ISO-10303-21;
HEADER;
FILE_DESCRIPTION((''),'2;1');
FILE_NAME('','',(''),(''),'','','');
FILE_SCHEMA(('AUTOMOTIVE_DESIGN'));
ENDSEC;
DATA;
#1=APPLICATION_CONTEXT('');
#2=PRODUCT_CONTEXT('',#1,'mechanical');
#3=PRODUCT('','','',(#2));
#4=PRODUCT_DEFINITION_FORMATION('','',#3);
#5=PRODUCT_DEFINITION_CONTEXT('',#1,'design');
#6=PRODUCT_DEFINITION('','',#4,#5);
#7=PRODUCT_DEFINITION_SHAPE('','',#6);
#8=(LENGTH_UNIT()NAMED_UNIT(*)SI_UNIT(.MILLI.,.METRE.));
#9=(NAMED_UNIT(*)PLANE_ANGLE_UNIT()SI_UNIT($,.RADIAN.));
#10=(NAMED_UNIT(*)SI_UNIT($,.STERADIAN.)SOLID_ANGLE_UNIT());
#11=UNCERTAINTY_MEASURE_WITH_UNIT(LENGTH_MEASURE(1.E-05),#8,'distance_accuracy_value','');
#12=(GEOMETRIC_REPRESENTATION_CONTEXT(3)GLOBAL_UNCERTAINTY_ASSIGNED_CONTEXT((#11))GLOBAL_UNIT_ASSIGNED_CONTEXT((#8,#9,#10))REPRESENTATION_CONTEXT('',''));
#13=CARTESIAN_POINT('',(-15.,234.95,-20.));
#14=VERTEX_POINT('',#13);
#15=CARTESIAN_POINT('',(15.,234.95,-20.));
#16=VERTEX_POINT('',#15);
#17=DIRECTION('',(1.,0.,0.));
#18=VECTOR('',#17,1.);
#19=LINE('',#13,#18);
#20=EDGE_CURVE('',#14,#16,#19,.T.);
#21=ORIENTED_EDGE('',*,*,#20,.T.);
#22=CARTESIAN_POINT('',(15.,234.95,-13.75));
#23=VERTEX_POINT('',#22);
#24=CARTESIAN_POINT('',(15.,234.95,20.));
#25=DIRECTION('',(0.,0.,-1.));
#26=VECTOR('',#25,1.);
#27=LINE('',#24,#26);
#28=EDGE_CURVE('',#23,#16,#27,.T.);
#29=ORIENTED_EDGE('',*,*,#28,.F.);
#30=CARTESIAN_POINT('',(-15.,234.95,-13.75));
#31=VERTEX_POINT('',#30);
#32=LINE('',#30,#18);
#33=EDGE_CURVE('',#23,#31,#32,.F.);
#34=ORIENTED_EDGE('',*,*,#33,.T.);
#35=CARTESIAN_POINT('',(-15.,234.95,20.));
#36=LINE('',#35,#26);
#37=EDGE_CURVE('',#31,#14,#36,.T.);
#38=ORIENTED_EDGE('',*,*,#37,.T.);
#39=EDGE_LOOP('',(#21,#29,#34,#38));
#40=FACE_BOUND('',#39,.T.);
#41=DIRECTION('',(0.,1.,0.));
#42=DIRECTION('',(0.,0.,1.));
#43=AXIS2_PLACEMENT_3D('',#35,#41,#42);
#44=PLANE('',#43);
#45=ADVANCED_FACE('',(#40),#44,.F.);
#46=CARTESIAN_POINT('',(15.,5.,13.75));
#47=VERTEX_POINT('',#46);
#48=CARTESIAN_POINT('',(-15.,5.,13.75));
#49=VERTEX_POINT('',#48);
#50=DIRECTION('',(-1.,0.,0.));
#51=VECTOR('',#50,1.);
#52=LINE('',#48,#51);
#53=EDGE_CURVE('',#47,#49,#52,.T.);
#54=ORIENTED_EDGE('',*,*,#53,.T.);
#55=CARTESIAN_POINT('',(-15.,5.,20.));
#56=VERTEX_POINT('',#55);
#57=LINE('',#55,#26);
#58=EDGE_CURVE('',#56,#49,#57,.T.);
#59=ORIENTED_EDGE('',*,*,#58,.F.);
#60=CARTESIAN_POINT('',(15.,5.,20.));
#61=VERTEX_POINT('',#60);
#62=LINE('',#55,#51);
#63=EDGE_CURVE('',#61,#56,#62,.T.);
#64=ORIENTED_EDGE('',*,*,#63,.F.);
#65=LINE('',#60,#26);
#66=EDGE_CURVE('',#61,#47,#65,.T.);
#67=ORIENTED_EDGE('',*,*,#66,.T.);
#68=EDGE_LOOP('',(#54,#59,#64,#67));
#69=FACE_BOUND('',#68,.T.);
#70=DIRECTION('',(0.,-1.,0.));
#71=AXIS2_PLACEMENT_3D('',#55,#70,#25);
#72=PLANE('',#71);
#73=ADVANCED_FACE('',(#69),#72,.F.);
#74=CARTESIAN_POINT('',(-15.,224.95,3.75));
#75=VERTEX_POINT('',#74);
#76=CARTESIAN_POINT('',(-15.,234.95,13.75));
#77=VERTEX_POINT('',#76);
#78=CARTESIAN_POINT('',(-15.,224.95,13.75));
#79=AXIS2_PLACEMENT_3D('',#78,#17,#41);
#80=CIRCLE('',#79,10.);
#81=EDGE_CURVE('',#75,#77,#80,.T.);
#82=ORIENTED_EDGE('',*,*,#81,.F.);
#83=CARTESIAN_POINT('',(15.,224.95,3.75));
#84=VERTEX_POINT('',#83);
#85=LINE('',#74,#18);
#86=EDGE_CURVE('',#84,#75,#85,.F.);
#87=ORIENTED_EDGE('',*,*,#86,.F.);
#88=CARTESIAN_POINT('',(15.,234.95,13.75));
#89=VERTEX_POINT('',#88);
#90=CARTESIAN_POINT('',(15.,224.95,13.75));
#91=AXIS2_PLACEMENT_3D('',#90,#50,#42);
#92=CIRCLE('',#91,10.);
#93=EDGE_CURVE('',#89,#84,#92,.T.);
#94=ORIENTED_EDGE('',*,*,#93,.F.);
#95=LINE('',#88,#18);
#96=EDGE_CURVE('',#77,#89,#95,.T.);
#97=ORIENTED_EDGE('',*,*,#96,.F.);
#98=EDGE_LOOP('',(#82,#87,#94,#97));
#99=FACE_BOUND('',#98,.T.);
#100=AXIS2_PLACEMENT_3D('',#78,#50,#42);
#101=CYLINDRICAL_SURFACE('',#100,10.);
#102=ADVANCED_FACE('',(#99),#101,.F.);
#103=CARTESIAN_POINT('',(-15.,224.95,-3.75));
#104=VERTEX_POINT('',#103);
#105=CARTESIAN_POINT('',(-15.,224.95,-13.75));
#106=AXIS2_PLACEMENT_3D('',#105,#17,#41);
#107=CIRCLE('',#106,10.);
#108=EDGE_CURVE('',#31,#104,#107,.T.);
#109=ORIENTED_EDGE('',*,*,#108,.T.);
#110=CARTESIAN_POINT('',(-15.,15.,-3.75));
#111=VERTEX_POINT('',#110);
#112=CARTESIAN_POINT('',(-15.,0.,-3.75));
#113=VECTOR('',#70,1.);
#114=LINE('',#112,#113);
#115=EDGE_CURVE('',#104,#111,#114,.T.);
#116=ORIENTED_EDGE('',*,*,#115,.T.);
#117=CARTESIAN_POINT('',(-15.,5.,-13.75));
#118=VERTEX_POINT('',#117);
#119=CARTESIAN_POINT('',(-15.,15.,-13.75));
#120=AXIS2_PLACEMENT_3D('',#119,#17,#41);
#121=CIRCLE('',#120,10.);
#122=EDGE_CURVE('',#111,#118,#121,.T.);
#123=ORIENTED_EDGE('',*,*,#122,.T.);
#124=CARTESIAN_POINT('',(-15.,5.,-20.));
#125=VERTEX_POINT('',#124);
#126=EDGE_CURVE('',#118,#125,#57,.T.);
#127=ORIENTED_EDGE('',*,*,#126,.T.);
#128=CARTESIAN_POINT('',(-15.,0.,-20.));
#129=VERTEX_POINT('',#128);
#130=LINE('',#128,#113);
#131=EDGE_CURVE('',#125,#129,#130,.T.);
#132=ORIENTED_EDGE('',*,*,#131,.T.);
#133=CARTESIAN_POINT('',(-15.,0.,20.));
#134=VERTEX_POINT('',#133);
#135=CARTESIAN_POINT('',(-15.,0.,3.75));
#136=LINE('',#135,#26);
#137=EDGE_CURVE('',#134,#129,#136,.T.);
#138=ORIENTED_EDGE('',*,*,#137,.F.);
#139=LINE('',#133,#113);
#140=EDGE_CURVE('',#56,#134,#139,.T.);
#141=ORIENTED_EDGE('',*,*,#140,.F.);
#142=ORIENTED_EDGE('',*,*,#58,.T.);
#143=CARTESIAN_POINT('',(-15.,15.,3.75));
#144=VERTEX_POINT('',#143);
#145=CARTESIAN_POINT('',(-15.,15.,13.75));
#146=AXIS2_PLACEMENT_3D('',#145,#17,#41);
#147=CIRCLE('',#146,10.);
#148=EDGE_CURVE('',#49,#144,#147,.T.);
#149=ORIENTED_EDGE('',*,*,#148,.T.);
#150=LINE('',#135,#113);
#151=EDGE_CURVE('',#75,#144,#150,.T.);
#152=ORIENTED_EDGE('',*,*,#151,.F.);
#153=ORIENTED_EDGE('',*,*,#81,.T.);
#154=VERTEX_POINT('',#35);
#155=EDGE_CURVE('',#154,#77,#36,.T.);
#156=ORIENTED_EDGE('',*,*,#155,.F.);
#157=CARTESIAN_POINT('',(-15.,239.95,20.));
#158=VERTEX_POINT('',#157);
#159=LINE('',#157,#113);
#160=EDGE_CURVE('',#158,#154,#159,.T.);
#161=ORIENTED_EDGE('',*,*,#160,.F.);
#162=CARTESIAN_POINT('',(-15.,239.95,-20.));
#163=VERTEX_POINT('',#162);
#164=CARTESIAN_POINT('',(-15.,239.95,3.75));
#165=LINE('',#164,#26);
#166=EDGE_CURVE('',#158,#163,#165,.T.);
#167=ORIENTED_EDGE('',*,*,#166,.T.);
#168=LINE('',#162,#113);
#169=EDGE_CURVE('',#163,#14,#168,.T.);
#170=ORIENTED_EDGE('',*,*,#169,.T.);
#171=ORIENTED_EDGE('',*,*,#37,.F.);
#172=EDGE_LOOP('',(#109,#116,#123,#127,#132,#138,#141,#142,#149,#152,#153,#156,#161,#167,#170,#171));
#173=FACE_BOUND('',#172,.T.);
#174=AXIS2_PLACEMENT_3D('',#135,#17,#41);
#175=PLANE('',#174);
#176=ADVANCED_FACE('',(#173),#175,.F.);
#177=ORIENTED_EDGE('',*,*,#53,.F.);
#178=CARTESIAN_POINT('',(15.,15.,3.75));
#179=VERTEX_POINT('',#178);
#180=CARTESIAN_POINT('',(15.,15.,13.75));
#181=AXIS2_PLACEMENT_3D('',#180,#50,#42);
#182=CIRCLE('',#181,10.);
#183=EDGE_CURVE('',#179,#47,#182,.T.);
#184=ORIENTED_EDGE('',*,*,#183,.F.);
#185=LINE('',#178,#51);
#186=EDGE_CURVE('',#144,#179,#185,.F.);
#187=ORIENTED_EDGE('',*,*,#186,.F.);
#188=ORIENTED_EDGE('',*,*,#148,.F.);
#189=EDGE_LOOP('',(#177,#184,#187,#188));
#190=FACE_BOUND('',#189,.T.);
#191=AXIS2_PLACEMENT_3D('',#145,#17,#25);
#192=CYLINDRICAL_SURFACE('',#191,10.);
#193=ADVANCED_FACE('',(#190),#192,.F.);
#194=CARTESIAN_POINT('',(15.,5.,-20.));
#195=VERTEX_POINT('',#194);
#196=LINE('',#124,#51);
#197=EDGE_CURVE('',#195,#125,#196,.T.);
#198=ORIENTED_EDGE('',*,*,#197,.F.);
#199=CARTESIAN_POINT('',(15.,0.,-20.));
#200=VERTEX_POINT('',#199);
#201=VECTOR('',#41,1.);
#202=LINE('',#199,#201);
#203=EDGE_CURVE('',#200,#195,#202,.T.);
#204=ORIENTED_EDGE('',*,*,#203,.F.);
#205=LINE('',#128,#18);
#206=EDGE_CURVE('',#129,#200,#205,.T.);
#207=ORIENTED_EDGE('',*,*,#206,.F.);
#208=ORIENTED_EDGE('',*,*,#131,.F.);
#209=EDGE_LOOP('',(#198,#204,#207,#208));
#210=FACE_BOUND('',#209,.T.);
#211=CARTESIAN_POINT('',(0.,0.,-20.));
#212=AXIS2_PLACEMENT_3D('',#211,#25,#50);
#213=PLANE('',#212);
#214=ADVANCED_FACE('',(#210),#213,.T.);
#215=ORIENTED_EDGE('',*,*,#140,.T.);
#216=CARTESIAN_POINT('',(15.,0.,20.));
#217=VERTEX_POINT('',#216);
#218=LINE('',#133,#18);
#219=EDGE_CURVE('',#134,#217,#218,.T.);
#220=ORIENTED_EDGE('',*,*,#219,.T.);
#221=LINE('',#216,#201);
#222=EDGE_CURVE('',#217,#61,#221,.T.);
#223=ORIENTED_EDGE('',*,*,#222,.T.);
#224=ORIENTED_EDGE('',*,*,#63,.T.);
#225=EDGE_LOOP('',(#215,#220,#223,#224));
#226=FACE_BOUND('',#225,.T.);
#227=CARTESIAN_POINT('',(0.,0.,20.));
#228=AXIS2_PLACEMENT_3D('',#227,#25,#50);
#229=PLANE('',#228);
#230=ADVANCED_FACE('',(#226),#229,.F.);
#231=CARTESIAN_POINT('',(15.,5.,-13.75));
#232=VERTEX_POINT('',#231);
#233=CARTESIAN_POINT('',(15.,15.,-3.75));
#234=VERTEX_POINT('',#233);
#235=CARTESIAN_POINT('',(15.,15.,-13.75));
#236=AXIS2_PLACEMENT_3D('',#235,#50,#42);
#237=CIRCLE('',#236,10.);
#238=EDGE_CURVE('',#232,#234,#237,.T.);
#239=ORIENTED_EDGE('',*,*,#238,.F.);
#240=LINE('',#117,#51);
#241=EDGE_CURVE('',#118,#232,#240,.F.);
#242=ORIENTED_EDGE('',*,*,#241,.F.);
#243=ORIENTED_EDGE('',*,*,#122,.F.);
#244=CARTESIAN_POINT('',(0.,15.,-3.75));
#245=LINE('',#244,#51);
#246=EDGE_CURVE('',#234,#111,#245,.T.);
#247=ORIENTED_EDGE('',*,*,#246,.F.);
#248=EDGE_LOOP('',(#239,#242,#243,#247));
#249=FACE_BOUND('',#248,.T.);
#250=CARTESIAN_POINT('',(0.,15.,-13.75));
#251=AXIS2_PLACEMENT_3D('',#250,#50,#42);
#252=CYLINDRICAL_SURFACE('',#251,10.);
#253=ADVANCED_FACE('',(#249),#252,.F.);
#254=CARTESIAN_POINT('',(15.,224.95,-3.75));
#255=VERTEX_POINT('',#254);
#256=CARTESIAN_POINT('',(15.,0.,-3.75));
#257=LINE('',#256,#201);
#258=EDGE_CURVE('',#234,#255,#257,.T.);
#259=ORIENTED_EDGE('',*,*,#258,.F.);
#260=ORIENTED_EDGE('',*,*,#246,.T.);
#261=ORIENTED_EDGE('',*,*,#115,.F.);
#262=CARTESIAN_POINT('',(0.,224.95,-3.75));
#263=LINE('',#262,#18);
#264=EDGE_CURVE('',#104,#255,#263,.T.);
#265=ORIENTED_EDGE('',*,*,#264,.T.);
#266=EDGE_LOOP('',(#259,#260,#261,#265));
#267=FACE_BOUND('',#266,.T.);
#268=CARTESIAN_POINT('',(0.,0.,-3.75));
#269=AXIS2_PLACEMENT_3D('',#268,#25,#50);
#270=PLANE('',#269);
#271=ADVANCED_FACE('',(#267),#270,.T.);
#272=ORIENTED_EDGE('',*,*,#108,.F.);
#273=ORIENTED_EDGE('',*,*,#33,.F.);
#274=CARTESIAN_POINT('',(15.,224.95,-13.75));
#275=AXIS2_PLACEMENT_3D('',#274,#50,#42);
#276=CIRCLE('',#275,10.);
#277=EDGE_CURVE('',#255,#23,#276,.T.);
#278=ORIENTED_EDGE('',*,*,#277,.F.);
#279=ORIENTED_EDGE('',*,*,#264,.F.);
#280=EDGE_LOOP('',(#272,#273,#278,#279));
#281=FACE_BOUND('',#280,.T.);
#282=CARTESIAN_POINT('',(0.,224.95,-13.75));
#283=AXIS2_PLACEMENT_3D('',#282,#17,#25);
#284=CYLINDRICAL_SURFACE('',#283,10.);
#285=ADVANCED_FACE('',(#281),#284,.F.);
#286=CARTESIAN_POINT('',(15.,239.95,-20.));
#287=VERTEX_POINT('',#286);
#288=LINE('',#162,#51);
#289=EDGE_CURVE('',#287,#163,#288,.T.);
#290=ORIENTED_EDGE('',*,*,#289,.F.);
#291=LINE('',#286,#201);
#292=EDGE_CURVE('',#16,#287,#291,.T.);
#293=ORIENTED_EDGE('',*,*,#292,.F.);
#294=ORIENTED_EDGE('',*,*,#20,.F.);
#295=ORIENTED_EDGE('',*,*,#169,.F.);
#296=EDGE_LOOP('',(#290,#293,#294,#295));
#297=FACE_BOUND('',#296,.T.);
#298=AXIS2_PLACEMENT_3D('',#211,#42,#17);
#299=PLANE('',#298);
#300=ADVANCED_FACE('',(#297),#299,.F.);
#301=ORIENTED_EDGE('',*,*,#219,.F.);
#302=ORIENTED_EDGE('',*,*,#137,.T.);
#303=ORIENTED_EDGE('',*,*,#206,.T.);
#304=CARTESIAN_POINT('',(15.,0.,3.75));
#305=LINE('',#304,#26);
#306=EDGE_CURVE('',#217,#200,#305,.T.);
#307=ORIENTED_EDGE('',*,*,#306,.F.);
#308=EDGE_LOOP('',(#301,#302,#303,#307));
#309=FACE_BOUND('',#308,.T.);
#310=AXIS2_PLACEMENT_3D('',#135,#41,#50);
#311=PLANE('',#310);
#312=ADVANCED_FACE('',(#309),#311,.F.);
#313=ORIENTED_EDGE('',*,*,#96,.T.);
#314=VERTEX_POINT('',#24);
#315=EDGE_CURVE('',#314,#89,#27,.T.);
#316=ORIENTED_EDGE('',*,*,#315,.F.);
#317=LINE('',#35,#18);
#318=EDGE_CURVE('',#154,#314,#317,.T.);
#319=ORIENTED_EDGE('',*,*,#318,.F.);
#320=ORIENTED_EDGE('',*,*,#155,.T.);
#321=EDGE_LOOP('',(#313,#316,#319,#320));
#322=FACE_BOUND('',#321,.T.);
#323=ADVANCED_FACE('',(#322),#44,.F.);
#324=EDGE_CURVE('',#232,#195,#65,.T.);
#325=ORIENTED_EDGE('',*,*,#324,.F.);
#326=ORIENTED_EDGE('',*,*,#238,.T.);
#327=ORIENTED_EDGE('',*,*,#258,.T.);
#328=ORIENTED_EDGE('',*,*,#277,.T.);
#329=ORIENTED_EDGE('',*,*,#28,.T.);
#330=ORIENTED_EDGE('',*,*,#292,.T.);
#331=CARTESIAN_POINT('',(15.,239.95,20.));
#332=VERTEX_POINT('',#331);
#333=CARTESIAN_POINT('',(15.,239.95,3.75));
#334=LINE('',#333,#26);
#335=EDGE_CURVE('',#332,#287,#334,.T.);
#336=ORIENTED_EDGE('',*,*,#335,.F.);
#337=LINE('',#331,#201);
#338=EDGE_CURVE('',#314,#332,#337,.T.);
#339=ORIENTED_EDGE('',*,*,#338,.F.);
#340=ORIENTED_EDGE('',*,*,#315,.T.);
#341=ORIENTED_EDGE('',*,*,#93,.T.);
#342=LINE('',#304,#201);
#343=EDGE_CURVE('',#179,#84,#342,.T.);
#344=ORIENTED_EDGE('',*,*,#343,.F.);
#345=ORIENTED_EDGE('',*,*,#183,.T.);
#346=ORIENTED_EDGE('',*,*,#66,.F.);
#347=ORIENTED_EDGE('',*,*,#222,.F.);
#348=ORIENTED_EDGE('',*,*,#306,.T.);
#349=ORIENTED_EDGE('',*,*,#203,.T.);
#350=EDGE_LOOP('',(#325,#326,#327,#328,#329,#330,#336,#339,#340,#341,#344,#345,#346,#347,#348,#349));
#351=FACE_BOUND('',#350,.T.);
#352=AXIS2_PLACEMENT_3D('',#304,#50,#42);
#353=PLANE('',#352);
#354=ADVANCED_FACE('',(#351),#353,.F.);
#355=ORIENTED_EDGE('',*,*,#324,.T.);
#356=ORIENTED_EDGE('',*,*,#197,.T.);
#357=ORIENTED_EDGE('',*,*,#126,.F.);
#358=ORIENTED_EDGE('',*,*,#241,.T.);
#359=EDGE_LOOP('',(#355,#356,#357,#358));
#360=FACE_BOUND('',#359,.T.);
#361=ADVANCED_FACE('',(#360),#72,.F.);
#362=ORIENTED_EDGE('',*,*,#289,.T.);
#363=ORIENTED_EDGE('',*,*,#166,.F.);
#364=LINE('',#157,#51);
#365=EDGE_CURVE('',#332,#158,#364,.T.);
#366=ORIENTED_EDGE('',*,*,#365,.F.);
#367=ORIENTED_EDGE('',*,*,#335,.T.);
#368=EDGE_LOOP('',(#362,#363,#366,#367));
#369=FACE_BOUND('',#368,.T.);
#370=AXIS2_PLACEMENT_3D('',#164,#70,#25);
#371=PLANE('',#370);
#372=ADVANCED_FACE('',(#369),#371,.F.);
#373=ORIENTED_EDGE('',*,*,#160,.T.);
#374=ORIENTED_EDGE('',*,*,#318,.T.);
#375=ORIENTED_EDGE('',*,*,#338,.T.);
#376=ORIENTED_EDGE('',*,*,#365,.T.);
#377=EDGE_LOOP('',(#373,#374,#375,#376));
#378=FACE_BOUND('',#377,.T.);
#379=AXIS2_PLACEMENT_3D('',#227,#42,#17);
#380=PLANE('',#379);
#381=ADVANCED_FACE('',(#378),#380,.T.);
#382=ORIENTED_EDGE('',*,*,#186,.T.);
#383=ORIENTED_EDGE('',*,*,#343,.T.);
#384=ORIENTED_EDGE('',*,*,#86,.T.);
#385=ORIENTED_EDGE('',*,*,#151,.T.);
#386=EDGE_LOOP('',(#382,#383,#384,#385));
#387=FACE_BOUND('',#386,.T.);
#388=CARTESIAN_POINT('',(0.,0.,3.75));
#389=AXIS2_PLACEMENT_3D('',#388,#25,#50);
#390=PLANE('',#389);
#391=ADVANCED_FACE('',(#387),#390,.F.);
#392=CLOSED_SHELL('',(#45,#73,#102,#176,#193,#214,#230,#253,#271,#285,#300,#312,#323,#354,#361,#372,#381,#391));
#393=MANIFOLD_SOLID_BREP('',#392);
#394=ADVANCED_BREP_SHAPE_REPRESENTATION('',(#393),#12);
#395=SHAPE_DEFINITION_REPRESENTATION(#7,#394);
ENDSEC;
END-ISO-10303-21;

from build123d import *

# Parameters (mm, degrees)
SKETCH1_W           = 30
SKETCH1_H           = 239.95
BOSS_EXTRUDE1_DEPTH = 3.75
SKETCH2_W           = 30
SKETCH2_H           = 5
BOSS_EXTRUDE2_DEPTH = 20
SKETCH3_W           = 30
SKETCH3_H           = 5
BOSS_EXTRUDE3_DEPTH = 20
FILLET1_R           = 10
FILLET2_R           = 10


with BuildPart() as part:
    # Sketch1 → Boss-Extrude1 (new body, symmetric)
    with BuildSketch(Plane.XY):
        with Locations((0, 119.975)):
            Rectangle(SKETCH1_W, SKETCH1_H)
    extrude(amount=BOSS_EXTRUDE1_DEPTH, both=True)

    # Sketch2 → Boss-Extrude2 (add, symmetric)
    with BuildSketch(Plane.XY):
        with Locations((0, 2.5)):
            Rectangle(SKETCH2_W, SKETCH2_H)
    extrude(amount=BOSS_EXTRUDE2_DEPTH, both=True)

    # Sketch3 → Boss-Extrude3 (add, symmetric)
    with BuildSketch(Plane.XY):
        with Locations((0, 237.45)):
            Rectangle(SKETCH3_W, SKETCH3_H)
    extrude(amount=BOSS_EXTRUDE3_DEPTH, both=True)

    # Fillet1
    fillet1_edges = [part.edges().sort_by_distance(p)[0] for p in [
        (0, 234.95, 3.75),
        (0, 234.95, -3.75),
    ]]
    fillet(fillet1_edges, radius=FILLET1_R)

    # Fillet2
    fillet2_edges = [part.edges().sort_by_distance(p)[0] for p in [
        (0, 5, -3.75),
        (0, 5, 3.75),
    ]]
    fillet(fillet2_edges, radius=FILLET2_R)


solid = part.part
